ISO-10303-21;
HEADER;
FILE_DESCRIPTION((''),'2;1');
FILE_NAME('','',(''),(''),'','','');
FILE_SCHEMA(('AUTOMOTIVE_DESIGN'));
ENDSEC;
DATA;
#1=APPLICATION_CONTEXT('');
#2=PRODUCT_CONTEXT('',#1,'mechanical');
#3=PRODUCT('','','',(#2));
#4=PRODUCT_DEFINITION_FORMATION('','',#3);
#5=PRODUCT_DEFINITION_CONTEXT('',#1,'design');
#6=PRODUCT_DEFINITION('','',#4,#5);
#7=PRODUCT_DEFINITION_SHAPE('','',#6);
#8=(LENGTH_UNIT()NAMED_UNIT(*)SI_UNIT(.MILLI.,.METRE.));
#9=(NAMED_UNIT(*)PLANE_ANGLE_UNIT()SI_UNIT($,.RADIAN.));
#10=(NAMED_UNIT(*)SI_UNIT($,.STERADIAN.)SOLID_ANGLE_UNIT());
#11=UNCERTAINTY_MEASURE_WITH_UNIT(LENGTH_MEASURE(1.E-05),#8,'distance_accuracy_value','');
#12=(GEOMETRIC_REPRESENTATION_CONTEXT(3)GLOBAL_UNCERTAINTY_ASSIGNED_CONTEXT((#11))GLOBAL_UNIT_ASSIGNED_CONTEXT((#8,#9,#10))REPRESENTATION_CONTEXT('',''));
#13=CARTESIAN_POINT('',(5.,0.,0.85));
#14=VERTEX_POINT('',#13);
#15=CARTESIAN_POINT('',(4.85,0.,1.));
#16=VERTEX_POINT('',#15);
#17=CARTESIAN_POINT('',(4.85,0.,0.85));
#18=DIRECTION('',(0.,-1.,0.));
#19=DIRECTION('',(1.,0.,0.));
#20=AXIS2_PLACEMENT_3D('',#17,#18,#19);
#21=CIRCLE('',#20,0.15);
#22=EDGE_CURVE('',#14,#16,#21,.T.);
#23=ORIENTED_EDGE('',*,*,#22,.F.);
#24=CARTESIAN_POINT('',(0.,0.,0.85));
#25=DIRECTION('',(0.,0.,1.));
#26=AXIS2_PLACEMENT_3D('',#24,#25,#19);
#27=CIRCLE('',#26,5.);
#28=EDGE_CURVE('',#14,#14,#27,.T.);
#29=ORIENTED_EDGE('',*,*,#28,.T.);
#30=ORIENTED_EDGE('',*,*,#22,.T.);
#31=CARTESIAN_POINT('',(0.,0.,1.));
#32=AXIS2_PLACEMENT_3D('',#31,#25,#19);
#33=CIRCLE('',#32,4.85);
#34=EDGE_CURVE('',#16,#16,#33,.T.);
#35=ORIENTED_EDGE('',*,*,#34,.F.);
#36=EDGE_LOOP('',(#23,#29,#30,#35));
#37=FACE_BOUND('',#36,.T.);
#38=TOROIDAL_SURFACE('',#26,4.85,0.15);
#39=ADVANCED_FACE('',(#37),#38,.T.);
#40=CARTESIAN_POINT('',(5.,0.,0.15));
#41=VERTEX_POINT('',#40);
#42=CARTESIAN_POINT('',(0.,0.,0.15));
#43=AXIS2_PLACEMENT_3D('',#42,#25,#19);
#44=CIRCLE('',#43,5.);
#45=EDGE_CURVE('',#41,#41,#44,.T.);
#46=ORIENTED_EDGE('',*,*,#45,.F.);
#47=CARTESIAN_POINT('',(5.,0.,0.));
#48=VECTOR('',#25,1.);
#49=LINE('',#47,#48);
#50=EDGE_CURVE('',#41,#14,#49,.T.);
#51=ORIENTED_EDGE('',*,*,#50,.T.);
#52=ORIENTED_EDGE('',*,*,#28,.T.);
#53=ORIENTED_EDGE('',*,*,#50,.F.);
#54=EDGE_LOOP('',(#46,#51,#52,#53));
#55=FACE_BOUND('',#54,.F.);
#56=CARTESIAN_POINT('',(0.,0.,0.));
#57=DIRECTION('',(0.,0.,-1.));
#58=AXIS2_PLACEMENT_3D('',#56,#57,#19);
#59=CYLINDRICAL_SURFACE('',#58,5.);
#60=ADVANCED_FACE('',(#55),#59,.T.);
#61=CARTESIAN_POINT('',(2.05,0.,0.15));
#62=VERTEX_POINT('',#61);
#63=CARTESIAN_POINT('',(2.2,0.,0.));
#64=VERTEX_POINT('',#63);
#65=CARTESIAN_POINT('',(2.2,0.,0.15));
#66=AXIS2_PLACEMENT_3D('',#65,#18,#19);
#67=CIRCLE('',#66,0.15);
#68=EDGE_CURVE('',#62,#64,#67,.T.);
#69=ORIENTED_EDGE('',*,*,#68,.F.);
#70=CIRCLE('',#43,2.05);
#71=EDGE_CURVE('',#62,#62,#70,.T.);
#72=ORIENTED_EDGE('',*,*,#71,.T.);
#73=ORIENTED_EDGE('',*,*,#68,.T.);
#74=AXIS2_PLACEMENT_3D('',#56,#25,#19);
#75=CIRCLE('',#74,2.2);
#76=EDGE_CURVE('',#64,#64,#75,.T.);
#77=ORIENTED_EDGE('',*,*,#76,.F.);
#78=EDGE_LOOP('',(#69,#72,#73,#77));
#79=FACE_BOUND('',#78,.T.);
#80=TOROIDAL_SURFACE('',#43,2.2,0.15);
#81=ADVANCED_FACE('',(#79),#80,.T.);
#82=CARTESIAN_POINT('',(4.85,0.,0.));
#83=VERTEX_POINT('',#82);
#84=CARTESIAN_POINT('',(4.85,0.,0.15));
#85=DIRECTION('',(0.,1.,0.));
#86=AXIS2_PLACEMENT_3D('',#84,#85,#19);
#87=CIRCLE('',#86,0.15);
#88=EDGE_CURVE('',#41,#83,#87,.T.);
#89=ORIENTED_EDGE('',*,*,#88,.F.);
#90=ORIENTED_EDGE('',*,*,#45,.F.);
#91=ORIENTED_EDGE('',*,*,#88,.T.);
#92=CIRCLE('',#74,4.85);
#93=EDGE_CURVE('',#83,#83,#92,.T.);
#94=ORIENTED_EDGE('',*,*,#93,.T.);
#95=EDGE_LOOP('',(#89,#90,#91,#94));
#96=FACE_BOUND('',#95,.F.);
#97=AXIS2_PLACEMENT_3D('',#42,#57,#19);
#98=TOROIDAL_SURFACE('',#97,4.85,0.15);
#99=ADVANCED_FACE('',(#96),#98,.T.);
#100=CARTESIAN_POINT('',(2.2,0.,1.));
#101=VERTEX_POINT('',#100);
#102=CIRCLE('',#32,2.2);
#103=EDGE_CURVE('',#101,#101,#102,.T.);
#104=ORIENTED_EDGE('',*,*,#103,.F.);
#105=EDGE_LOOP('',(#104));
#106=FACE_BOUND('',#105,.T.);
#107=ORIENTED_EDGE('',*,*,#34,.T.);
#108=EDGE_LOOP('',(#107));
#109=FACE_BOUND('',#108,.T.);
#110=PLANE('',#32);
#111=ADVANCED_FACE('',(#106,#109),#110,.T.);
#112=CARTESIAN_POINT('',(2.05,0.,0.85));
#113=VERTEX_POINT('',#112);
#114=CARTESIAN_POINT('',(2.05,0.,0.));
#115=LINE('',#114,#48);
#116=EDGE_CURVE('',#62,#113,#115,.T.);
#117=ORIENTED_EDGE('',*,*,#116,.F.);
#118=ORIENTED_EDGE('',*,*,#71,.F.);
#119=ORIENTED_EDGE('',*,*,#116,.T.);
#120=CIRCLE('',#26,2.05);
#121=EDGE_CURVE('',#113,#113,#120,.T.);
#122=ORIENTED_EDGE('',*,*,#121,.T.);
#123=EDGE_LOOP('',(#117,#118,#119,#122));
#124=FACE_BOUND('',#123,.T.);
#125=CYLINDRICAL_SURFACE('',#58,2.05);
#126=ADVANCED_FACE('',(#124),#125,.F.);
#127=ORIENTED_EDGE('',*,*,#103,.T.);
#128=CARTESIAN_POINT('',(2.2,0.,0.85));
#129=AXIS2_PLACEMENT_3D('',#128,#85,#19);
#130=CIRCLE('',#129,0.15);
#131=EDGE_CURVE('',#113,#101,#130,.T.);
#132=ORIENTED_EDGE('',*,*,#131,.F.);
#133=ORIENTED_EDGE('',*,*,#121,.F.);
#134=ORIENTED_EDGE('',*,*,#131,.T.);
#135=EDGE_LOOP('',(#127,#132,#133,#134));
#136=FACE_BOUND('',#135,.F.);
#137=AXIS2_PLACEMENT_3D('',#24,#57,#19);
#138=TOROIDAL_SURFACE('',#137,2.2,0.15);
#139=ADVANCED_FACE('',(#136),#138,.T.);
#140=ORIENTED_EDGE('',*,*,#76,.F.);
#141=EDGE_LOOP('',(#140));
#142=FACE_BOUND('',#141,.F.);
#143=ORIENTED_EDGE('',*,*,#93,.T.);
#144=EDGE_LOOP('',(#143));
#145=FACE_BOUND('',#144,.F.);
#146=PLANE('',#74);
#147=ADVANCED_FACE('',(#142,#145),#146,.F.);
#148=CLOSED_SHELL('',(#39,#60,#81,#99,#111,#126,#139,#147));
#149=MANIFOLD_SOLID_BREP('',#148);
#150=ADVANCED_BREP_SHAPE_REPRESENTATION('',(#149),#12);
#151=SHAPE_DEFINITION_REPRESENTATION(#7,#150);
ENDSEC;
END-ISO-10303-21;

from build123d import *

# Parameters (mm, degrees)
SKETCH_R   = 5
SKETCH_R_2 = 2.05
PAD_DEPTH  = 1
FILLET_R   = 0.15


with BuildPart() as part:
    # Sketch → Pad (new body)
    with BuildSketch(Plane.XY):
        Circle(SKETCH_R)
        Circle(SKETCH_R_2, mode=Mode.SUBTRACT)
    extrude(amount=PAD_DEPTH)

    # Fillet
    fillet_edges = [part.edges().sort_by_distance(p)[0] for p in [
        (-5, 0, 1),
        (-5, 0, 0),
        (-2.05, 0, 1),
        (-2.05, 0, 0),
    ]]
    fillet(fillet_edges, radius=FILLET_R)


solid = part.part
